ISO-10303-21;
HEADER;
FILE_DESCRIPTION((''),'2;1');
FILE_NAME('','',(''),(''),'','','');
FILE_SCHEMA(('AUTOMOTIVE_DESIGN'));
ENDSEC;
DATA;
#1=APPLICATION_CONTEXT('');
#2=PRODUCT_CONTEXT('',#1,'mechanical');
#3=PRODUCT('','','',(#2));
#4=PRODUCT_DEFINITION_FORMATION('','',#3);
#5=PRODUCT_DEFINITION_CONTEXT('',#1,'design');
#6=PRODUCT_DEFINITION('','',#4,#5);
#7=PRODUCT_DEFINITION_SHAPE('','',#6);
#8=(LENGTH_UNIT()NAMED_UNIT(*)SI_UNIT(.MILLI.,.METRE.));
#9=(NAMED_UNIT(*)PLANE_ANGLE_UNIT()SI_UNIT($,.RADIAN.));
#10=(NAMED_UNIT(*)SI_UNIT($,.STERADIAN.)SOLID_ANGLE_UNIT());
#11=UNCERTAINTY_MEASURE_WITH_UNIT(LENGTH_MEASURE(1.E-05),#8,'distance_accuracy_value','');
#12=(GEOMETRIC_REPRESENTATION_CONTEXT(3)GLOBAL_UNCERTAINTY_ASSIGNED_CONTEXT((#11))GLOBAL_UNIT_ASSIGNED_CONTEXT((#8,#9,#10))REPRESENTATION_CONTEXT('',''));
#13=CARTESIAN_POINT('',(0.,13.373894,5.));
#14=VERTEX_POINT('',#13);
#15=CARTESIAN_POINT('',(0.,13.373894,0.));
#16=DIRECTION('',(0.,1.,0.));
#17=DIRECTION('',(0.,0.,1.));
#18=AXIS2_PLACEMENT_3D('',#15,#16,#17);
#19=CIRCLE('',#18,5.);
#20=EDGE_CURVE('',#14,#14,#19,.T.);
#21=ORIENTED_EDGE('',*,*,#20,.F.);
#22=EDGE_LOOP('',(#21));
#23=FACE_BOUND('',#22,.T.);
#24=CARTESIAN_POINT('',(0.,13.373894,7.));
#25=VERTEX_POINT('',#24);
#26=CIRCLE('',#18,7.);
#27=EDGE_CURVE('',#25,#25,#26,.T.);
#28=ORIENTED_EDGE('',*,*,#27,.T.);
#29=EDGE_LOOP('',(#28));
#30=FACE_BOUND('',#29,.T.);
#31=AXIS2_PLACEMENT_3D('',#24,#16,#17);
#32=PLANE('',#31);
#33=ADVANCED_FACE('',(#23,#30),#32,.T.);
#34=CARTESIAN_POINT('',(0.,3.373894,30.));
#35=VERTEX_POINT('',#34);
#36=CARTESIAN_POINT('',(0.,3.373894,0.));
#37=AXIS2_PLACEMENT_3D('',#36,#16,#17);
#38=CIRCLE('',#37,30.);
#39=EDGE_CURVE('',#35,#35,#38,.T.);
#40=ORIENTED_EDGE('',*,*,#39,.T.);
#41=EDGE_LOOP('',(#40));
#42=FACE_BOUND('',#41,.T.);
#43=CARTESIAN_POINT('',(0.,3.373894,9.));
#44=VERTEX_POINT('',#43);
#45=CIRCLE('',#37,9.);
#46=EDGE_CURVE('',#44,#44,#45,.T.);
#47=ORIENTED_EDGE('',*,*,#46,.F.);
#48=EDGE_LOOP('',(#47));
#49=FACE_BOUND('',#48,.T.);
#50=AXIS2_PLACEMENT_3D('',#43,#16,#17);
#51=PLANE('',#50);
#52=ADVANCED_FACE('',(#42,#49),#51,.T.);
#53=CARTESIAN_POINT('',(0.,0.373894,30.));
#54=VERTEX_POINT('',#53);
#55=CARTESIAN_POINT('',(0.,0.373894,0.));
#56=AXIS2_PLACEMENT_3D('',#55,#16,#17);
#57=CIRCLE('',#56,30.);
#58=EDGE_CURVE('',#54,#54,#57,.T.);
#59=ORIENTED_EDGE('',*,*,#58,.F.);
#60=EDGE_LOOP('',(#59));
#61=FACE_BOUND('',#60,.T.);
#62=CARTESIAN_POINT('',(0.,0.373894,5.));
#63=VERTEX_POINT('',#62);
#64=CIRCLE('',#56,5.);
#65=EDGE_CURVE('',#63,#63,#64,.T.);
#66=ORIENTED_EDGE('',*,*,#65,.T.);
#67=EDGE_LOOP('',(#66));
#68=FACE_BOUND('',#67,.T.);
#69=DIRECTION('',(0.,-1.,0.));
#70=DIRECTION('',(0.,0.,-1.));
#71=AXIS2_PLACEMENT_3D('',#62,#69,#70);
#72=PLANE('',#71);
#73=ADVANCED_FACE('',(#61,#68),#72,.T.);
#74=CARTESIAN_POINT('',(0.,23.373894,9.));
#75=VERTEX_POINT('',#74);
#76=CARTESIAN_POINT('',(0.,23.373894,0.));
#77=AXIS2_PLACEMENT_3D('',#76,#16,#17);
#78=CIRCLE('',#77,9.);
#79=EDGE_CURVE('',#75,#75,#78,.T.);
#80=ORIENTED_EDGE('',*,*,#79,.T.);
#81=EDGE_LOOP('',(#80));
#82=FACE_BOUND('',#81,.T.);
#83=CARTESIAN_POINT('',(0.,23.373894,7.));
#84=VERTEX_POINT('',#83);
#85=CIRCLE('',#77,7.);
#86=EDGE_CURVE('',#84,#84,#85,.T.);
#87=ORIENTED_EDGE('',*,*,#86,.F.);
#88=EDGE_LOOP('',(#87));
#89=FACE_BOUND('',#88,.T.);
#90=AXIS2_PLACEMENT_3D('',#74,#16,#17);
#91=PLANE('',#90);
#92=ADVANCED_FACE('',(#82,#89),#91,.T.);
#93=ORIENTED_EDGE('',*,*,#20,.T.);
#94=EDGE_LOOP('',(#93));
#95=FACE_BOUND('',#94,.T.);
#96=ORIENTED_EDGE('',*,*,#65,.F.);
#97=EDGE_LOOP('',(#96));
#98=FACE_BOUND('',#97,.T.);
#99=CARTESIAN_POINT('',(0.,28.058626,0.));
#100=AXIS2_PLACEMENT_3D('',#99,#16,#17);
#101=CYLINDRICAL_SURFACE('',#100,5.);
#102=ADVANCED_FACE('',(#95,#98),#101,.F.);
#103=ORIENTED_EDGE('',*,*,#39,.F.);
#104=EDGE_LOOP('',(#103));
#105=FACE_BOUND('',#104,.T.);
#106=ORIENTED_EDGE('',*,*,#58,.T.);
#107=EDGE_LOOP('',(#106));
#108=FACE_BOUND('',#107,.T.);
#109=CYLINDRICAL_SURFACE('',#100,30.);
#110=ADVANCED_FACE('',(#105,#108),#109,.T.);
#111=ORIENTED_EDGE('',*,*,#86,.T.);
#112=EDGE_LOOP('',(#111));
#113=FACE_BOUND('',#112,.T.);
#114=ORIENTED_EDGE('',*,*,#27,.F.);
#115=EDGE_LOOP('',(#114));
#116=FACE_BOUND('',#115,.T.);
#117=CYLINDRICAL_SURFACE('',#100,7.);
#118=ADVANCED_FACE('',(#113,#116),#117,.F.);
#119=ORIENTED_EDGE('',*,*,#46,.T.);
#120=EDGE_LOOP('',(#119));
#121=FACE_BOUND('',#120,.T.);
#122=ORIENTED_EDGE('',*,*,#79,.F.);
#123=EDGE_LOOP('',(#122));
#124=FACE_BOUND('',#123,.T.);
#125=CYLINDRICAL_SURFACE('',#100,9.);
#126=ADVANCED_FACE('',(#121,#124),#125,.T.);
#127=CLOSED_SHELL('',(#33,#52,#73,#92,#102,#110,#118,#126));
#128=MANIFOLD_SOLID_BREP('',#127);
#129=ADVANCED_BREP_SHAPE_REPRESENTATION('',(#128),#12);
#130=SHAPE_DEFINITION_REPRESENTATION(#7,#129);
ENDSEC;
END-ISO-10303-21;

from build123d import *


with BuildPart() as part:
    # Sketch1 → Revolve1 (revolve)
    with BuildSketch(Plane(origin=(0, 0, 0), x_dir=(0, 0, -1), z_dir=(1, 0, 0))):
        Polygon((-9, 3.37389395), (-30, 3.37389395), (-30, 0.37389395), (-5, 0.37389395), (-5, 13.37389395), (-7, 13.37389395), (-7, 23.37389395), (-9, 23.37389395), align=None)
    revolve(axis=Axis((0, 28.058626224, 0), (0, -1, 0)))


solid = part.part
